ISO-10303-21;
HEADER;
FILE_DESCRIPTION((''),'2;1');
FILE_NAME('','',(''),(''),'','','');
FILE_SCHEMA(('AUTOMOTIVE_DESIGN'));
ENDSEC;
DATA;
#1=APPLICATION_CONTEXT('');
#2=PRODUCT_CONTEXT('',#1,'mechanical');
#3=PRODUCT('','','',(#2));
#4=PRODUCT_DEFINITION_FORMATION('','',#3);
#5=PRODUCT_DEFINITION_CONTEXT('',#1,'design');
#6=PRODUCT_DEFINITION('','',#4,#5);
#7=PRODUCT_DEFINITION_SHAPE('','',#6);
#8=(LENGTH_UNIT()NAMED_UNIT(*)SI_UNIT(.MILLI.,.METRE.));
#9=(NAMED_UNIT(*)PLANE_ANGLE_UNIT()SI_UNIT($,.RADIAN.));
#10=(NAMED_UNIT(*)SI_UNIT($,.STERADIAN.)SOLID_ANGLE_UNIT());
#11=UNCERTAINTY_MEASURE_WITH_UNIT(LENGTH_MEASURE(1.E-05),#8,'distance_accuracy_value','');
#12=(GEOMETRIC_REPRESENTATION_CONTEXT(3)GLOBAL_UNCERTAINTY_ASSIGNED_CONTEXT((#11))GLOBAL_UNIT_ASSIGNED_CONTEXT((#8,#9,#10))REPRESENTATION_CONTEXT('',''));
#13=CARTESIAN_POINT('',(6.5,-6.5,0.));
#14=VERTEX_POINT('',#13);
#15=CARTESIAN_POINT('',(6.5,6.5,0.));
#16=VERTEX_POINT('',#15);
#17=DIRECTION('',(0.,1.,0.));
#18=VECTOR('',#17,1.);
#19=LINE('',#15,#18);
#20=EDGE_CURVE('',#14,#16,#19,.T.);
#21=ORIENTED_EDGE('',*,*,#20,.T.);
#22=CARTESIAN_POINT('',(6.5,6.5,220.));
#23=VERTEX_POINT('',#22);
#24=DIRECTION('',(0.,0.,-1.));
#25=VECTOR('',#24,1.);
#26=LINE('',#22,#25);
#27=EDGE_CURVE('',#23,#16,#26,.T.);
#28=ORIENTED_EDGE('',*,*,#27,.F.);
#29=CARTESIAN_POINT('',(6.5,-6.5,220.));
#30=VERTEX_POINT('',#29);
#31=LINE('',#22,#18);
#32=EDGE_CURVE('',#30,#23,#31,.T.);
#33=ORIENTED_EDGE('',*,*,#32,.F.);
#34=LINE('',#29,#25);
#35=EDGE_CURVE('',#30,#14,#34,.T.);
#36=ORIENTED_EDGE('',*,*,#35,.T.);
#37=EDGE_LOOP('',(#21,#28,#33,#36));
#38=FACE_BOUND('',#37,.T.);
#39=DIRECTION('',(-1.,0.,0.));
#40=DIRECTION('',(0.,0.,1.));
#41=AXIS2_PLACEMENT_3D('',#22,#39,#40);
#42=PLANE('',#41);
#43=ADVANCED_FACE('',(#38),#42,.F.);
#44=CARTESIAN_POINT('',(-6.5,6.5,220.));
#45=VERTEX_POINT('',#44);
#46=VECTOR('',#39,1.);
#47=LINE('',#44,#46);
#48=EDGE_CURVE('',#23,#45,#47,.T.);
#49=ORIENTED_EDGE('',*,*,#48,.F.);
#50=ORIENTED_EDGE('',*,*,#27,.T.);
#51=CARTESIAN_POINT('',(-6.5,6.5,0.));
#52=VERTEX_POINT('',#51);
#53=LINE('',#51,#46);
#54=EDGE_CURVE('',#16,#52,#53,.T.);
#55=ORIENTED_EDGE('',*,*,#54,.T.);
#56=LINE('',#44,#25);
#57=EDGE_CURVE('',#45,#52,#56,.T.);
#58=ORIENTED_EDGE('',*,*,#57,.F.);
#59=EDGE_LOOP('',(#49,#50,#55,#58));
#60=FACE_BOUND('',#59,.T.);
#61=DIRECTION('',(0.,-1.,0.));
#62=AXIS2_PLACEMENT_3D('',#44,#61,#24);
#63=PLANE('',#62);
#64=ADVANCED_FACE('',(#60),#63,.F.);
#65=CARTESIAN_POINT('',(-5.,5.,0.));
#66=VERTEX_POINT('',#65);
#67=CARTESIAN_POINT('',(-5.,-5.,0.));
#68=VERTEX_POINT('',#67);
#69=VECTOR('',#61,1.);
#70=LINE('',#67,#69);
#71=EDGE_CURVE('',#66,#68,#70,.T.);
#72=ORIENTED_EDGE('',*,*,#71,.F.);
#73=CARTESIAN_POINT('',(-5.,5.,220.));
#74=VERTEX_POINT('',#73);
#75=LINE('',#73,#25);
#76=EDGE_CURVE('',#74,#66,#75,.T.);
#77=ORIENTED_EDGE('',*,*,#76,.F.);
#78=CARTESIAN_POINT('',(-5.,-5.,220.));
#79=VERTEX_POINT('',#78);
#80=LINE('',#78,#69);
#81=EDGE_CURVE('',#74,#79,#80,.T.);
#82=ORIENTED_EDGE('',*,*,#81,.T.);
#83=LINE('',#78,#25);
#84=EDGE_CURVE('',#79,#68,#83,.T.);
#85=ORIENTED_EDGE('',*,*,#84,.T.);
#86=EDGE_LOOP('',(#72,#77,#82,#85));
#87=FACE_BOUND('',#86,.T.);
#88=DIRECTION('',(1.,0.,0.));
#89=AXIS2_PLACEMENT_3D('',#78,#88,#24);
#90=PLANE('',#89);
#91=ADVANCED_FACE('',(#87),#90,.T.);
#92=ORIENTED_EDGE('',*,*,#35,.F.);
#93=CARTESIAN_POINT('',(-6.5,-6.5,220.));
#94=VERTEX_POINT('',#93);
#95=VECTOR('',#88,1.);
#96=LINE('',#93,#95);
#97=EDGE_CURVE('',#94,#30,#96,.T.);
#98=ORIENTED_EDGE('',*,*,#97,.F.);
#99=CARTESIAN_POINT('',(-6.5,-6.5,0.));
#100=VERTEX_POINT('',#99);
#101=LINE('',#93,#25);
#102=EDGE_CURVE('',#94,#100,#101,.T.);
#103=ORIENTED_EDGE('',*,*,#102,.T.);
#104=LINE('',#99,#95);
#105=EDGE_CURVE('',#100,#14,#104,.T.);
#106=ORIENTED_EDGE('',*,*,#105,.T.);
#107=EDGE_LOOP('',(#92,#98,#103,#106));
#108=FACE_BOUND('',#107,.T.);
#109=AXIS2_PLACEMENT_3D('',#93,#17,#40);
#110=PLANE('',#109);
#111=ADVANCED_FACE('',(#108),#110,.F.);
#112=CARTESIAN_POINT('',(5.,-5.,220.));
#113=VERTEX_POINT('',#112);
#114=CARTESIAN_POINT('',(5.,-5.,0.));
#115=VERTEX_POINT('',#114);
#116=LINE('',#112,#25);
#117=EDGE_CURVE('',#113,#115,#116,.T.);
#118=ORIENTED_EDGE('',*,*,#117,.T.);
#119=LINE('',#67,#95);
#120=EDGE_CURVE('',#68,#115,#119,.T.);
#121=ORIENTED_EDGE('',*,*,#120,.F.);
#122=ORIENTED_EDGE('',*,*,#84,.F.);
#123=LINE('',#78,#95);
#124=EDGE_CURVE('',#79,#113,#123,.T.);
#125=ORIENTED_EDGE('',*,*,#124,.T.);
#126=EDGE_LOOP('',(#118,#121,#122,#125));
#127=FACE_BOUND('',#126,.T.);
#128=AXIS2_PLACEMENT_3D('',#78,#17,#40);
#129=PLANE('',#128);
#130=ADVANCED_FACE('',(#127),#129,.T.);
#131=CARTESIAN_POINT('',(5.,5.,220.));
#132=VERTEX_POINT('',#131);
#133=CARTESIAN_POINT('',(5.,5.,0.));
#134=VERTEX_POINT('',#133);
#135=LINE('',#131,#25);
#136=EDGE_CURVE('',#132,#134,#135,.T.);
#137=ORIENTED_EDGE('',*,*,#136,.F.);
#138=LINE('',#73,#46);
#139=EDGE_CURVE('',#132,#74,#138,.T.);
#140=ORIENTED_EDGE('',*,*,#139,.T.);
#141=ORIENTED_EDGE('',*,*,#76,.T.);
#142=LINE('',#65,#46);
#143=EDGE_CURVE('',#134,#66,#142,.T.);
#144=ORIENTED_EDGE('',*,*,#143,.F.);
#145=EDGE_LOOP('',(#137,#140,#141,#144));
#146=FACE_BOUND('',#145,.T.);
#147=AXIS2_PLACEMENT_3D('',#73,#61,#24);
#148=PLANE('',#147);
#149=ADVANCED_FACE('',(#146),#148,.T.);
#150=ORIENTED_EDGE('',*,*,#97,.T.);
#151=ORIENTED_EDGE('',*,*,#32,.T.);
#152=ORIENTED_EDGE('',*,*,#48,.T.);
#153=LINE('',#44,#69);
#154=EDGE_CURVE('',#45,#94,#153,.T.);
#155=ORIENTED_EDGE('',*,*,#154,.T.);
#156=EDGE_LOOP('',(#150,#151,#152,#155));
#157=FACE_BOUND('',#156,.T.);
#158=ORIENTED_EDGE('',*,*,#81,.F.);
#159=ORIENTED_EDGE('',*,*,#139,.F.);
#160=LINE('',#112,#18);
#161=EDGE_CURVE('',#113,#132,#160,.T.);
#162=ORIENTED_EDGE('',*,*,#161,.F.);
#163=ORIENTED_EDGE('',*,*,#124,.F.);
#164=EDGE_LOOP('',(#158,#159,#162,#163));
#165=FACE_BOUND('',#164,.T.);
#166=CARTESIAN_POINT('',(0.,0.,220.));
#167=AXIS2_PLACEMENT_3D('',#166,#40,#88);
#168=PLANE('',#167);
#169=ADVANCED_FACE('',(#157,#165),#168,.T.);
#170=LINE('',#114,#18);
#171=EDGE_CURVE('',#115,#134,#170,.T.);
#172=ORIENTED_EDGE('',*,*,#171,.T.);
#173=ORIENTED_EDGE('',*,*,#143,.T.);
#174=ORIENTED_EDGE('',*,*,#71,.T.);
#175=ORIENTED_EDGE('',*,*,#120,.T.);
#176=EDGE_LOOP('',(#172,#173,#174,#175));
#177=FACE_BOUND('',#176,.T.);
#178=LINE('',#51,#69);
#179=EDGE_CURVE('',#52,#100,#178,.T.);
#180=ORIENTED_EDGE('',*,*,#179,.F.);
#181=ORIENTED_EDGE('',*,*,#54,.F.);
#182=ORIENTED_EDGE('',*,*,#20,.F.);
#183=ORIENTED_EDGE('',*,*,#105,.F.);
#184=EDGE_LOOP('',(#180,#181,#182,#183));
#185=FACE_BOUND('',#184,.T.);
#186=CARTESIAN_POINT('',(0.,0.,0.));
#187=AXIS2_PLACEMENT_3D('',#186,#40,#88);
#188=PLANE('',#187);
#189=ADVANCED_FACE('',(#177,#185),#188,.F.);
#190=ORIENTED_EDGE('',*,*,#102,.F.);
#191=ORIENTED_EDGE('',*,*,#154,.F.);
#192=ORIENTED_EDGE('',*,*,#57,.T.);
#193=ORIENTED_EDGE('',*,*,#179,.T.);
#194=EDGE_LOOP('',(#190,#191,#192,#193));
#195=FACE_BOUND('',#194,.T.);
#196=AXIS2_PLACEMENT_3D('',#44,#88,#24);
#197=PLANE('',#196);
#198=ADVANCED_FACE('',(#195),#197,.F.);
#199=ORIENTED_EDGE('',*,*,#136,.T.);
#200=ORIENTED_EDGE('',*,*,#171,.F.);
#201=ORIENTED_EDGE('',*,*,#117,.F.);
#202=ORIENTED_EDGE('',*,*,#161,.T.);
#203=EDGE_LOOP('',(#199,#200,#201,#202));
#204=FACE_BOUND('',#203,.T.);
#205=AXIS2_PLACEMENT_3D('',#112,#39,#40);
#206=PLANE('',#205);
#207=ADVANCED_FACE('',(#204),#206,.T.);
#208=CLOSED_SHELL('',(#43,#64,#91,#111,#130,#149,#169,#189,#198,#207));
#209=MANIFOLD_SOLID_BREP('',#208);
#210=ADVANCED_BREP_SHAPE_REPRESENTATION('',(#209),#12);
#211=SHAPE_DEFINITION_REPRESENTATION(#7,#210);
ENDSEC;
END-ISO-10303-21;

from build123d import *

# Parameters (mm, degrees)
SKETCH1_W           = 13
SKETCH1_H           = 13
SKETCH1_W_2         = 10
SKETCH1_H_2         = 10
BOSS_EXTRUDE1_DEPTH = 220


with BuildPart() as part:
    # Sketch1 → Boss-Extrude1 (new body)
    with BuildSketch(Plane.XY):
        Rectangle(SKETCH1_W, SKETCH1_H)
        Rectangle(SKETCH1_W_2, SKETCH1_H_2, mode=Mode.SUBTRACT)
    extrude(amount=BOSS_EXTRUDE1_DEPTH)


solid = part.part
